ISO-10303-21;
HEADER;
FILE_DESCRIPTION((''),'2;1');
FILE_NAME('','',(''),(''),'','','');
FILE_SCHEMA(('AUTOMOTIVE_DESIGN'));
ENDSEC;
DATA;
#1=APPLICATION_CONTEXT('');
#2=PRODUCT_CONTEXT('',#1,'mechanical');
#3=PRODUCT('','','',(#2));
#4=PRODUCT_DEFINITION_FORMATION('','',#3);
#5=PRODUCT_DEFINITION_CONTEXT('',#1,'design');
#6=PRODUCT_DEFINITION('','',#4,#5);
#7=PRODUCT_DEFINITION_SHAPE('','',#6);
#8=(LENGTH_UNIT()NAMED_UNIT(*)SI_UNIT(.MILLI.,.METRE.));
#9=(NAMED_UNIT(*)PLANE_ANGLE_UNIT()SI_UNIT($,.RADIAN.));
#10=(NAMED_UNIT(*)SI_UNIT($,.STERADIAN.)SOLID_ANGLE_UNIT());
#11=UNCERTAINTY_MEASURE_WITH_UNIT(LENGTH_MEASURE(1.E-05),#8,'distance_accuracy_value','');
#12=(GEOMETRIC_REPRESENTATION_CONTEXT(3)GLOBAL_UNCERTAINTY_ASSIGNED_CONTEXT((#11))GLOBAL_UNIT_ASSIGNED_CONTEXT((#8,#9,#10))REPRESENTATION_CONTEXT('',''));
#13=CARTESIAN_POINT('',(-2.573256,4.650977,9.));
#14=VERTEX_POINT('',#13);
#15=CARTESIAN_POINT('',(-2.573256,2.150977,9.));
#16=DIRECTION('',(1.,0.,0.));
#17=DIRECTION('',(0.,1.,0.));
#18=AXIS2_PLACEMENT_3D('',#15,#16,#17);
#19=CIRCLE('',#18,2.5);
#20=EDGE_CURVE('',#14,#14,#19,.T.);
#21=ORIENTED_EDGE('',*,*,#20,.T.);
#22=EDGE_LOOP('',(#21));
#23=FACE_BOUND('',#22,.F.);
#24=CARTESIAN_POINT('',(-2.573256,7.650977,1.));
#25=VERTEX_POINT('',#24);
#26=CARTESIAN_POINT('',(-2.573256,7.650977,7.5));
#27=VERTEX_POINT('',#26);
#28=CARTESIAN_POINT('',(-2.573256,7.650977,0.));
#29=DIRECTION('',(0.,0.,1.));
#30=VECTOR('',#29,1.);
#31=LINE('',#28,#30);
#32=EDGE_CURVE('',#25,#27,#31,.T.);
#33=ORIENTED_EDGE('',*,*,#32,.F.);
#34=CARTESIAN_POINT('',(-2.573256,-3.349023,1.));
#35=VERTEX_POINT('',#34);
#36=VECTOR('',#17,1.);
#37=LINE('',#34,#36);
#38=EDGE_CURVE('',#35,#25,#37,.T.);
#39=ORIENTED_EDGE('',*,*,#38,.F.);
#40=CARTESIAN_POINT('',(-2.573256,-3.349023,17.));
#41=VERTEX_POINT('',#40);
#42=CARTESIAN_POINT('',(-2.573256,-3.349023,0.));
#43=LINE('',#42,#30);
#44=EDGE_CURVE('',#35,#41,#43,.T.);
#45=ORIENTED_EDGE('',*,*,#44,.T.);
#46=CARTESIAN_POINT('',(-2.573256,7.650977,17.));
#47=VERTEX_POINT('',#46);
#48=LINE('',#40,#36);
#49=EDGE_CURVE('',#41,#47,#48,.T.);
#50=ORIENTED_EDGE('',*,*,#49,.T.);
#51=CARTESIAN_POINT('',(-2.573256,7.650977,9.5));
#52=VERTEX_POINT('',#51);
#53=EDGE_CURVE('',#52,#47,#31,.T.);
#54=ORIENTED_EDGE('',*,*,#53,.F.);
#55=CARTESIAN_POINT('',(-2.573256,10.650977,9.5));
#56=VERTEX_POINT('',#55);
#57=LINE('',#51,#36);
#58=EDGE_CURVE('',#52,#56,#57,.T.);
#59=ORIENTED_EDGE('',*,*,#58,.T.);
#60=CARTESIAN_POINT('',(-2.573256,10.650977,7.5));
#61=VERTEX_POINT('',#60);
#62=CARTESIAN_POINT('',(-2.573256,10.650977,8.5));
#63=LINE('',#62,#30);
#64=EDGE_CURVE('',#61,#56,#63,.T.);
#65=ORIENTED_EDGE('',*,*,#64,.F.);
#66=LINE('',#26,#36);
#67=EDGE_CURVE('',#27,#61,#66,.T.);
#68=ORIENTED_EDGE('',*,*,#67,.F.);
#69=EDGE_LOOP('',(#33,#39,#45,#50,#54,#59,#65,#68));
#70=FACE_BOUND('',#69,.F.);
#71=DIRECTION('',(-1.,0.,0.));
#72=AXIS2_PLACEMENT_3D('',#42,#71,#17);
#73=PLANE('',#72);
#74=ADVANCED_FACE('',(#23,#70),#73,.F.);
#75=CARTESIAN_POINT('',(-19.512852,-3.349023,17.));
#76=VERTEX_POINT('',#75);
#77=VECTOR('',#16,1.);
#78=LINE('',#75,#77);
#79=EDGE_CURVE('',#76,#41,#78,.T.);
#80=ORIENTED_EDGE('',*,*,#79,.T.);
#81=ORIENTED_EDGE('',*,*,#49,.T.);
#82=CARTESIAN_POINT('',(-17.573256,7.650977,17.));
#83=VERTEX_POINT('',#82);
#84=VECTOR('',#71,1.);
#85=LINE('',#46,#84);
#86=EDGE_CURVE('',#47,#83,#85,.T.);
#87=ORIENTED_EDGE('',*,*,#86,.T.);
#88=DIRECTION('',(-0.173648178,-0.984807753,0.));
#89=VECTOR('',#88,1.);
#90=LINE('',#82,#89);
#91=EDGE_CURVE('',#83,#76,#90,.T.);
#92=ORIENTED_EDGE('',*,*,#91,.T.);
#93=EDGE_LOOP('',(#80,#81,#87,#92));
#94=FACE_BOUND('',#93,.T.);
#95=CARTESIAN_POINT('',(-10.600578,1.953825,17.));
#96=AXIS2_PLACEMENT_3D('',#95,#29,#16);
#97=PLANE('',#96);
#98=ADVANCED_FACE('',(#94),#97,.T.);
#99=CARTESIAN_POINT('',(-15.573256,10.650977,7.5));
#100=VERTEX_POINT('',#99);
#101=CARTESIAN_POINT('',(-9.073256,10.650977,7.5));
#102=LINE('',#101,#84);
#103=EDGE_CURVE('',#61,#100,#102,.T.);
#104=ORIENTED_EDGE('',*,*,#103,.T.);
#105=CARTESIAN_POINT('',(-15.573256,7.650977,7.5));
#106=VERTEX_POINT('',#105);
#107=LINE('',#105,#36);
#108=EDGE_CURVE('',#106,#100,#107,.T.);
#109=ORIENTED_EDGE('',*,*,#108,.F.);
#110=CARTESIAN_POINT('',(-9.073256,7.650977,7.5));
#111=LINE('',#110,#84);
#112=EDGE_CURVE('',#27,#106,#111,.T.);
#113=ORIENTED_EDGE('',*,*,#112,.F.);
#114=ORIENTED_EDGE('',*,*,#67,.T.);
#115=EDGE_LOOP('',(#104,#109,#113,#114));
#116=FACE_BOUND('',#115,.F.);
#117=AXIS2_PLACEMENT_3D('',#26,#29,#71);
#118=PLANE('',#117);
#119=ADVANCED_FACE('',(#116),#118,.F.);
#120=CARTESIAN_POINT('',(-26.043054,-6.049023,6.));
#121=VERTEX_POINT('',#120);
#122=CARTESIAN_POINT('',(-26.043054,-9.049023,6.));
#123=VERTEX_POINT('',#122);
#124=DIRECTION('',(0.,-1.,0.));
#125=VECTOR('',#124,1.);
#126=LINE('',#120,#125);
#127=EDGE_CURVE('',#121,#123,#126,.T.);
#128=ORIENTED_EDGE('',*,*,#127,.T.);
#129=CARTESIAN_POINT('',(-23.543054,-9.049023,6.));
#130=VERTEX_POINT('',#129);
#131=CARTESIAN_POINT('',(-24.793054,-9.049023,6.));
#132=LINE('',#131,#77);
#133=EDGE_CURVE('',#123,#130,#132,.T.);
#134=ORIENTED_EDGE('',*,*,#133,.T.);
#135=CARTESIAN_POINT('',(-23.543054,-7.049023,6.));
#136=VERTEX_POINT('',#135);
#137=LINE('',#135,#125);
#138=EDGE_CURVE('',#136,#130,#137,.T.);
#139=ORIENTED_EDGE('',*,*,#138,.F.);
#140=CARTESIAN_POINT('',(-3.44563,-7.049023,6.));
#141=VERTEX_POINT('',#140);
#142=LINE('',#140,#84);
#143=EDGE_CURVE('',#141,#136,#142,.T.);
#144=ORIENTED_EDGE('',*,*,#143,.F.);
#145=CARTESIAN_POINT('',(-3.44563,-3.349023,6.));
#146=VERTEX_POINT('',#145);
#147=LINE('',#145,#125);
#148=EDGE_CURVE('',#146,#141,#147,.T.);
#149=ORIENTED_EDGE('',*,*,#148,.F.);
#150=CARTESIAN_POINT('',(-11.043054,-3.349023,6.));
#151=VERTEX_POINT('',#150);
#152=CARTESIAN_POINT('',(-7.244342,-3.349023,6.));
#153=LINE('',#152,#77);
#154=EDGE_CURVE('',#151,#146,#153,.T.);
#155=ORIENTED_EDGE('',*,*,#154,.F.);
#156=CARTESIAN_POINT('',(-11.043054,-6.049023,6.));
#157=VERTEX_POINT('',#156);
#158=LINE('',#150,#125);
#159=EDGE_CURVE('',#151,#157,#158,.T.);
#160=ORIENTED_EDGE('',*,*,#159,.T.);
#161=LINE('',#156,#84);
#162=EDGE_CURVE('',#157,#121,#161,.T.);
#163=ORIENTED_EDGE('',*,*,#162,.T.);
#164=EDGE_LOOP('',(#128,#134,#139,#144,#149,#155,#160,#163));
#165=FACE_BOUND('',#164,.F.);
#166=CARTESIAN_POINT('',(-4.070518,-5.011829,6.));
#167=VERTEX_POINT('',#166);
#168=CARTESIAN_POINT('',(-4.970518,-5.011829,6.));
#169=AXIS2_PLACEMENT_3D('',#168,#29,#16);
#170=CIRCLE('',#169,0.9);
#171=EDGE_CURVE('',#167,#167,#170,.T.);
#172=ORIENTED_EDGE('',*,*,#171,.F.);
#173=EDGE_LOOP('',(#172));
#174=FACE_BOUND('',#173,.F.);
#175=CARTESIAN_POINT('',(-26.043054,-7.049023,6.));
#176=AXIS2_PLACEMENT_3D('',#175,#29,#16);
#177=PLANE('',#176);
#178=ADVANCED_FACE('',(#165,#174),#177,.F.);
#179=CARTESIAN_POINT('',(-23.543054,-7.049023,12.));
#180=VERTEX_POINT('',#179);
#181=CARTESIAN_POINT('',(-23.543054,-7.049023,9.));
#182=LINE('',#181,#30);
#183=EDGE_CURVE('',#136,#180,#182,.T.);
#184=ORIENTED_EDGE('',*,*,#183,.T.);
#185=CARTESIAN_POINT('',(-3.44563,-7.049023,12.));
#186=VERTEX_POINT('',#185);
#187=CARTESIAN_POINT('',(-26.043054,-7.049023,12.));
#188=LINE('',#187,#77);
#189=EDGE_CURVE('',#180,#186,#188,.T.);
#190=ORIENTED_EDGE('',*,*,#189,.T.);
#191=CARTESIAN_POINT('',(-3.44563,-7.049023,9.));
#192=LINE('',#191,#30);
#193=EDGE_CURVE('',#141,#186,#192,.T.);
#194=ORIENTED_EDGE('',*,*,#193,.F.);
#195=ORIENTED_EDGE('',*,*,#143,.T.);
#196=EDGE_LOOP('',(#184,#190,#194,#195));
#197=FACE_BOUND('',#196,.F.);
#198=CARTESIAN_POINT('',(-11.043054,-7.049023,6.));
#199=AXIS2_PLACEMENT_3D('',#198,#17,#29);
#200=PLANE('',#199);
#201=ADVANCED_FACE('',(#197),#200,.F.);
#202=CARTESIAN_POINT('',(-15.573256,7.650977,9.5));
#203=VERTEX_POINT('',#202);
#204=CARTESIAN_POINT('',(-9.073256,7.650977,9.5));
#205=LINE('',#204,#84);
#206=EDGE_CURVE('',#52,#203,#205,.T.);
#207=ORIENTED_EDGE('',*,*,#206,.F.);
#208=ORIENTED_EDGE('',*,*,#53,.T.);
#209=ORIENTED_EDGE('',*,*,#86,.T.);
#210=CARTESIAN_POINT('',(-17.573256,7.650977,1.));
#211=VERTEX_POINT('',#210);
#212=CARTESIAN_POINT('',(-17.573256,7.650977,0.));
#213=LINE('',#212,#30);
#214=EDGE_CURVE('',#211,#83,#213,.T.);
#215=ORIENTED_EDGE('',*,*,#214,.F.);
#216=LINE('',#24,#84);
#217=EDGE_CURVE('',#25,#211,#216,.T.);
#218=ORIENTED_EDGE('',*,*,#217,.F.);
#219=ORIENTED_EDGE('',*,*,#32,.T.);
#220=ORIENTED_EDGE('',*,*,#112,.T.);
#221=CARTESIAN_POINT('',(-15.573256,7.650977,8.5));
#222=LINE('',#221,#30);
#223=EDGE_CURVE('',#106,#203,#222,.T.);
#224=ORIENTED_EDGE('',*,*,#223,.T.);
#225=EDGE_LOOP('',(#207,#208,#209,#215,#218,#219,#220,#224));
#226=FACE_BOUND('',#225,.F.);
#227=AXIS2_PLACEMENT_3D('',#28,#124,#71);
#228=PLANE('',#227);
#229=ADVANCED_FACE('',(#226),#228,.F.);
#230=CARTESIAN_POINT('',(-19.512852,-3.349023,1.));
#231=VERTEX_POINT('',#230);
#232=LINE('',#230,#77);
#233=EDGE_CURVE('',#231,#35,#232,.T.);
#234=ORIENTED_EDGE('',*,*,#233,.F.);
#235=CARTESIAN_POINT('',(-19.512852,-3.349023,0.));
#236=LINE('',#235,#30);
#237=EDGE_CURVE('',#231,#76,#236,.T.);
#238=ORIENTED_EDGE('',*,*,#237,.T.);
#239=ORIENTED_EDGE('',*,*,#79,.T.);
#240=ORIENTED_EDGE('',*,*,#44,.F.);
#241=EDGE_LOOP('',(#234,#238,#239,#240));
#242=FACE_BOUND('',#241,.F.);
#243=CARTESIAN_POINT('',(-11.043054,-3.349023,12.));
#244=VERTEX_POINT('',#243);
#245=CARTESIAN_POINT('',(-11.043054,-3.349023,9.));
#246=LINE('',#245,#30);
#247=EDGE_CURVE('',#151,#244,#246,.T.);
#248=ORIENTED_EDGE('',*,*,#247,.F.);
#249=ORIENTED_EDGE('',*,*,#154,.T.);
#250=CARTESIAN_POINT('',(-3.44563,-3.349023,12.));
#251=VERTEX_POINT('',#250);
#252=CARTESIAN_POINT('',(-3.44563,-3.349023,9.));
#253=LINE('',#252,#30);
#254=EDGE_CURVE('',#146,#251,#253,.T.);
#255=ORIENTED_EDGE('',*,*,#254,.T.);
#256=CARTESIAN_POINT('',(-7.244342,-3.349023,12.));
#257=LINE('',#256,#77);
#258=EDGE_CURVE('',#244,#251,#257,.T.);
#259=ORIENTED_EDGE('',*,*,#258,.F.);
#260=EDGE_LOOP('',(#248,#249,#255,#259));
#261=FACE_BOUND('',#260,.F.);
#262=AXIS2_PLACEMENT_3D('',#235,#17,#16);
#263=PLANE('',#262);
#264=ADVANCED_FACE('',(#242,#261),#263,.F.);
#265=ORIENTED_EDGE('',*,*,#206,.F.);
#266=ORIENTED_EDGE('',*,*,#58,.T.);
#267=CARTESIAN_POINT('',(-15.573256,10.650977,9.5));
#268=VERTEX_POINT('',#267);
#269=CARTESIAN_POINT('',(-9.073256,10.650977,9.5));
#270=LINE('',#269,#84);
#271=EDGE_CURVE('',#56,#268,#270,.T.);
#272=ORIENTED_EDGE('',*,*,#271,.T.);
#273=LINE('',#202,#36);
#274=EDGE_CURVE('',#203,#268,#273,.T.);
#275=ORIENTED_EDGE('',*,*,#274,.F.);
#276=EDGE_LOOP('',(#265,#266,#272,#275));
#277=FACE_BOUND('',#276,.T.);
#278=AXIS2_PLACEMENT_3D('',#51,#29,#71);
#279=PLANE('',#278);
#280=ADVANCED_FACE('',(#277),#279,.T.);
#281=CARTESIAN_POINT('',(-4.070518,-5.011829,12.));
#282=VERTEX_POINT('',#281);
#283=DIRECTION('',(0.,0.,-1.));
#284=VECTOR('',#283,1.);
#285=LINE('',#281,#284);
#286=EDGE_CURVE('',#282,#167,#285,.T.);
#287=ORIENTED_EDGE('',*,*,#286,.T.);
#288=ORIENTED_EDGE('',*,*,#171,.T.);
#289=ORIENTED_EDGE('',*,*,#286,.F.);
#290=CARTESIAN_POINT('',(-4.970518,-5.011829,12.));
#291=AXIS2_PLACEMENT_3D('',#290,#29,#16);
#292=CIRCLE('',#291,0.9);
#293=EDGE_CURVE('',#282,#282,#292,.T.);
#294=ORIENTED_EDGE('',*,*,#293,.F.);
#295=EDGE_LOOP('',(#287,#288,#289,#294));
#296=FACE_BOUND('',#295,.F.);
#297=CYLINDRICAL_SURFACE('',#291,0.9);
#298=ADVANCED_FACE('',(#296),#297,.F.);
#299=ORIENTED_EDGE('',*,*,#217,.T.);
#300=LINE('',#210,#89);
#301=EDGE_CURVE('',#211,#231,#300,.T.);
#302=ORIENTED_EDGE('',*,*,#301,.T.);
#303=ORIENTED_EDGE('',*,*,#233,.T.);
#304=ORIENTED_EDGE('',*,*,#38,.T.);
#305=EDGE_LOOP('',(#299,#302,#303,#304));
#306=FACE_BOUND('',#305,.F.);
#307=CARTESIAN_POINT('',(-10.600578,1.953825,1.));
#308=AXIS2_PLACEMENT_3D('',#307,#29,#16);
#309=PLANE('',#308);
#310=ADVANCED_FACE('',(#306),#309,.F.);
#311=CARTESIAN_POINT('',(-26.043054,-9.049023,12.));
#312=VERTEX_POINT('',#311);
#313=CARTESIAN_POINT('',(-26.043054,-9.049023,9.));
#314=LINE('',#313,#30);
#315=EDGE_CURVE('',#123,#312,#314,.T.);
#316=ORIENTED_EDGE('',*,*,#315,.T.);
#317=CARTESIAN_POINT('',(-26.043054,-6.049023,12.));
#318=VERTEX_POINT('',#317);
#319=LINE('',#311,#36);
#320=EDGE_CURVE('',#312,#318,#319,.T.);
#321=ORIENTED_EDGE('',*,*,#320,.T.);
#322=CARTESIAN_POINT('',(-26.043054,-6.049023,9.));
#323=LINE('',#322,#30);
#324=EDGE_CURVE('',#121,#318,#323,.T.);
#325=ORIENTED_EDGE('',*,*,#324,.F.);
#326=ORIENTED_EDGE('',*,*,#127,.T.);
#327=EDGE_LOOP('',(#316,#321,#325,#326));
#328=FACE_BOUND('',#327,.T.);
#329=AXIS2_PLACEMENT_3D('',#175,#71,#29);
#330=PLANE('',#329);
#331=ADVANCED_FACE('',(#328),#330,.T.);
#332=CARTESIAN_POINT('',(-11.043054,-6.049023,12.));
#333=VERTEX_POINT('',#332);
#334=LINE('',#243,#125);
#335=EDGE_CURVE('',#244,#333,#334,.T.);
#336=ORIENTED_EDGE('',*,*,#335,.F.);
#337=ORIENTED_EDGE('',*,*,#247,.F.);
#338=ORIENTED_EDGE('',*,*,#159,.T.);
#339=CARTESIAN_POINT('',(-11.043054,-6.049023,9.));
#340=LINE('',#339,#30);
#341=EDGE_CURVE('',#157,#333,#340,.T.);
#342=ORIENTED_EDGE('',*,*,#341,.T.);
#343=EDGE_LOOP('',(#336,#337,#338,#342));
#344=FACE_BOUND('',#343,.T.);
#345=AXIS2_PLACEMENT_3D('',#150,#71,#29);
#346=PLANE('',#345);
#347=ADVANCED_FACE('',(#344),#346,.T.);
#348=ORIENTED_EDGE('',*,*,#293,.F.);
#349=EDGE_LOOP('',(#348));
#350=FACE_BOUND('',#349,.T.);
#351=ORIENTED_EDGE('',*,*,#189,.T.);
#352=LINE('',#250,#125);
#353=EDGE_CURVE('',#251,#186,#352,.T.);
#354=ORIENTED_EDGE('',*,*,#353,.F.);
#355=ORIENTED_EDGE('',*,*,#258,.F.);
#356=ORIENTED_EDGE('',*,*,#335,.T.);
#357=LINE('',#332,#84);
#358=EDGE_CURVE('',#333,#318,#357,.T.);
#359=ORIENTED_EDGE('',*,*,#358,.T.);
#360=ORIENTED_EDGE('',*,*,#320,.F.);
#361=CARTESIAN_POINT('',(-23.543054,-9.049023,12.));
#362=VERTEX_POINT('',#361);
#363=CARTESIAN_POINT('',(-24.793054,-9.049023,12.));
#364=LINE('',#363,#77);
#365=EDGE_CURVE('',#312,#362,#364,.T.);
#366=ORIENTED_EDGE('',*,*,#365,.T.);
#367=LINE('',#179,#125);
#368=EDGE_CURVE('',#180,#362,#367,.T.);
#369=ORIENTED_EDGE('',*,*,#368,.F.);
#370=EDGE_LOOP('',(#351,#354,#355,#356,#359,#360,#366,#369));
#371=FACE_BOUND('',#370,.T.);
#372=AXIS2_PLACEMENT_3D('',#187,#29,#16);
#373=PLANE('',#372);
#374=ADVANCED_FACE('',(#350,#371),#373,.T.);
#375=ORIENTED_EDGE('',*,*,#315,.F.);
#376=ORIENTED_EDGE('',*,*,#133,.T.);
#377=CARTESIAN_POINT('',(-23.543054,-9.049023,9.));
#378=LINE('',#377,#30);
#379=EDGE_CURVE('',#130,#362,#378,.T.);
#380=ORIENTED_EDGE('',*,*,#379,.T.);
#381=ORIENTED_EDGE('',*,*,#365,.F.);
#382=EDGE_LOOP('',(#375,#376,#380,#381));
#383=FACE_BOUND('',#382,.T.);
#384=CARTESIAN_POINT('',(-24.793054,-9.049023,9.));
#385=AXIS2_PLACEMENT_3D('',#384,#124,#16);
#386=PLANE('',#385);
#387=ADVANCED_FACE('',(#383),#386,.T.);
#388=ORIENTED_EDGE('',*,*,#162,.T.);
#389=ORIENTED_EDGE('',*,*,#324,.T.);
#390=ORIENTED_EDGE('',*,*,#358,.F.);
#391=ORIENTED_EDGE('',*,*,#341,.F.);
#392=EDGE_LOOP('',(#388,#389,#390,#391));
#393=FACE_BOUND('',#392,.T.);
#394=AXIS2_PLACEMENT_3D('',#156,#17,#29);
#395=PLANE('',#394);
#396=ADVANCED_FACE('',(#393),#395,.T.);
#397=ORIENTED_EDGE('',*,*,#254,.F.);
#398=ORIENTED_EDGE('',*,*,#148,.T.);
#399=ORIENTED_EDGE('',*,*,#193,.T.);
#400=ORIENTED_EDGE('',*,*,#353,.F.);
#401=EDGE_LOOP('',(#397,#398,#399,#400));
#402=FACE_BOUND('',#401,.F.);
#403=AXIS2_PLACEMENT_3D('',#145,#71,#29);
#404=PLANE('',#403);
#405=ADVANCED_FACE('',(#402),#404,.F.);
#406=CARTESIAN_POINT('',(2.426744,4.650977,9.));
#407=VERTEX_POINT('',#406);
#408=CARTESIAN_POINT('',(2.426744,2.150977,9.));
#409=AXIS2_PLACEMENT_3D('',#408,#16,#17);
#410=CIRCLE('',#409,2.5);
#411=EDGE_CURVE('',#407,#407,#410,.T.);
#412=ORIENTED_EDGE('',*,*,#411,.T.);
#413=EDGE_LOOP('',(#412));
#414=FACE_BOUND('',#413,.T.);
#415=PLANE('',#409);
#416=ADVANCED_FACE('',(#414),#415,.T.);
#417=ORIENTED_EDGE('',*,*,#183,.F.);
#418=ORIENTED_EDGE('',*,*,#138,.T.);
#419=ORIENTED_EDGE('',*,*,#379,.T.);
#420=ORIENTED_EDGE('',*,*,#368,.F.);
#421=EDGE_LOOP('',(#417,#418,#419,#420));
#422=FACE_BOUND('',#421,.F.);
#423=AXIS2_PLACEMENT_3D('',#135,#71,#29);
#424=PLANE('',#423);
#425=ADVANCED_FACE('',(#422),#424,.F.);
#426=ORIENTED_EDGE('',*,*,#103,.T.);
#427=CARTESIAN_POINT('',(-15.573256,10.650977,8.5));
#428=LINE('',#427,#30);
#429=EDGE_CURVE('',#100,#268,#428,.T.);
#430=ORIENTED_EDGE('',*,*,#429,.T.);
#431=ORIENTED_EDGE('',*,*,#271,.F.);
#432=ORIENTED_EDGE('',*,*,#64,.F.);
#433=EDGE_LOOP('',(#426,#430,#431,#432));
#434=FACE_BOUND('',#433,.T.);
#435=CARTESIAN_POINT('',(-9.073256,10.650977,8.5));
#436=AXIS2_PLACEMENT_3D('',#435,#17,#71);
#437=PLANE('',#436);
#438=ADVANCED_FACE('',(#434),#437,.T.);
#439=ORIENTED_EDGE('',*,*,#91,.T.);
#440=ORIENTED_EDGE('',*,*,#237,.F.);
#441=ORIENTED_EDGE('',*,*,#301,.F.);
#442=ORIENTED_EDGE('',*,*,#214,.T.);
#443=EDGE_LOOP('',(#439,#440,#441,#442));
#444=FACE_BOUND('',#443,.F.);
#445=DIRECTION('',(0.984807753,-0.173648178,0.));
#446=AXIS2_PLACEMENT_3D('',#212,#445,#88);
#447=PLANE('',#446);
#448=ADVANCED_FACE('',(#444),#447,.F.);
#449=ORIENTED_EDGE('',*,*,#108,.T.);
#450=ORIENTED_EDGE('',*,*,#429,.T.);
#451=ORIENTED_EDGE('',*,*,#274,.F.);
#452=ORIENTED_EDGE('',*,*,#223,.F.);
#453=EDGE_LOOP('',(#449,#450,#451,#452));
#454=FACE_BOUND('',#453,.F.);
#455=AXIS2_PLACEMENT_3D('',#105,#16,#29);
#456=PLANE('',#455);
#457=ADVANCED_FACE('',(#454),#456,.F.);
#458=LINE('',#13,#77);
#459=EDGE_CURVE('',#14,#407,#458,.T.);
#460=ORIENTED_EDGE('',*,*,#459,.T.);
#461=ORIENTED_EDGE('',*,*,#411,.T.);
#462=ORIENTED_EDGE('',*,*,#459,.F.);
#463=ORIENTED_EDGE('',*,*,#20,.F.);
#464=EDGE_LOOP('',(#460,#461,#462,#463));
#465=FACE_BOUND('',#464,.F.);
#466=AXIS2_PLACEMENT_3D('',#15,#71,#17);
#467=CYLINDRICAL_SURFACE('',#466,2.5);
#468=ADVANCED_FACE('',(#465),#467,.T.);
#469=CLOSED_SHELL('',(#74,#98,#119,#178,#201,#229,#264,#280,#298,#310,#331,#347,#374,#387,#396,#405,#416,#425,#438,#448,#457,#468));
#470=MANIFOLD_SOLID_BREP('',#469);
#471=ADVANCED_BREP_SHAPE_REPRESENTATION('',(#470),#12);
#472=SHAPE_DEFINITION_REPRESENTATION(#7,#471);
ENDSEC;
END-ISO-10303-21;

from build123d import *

# Parameters (mm, degrees)
F1_DEPTH  = 18
F2_R      = 2.5
F3_DEPTH  = 5
F4_W      = 13
F4_H      = 2
F5_DEPTH  = 3
F6_W      = 7.5974241367
F6_H      = 6
F7_DEPTH  = 3.7
F8_R      = 0.9
F9_DEPTH  = 10
F10_W     = 1
F10_H     = 6
F11_DEPTH = 15
F12_W     = 2.5
F12_H     = 6
F13_DEPTH = 2
F14_DEPTH = 1
F15_DEPTH = 1


with BuildPart() as f1:
    # F0 (on Top) → F1 (new body)
    with BuildSketch(Plane.XY):
        Polygon((-2.5732557046, 7.6509772142), (-17.5732557046, 7.6509772142), (-19.5128524924, -3.3490227858), (-2.5732557046, -3.3490227858), align=None)
    extrude(amount=F1_DEPTH)

    # F2 (on face) → F3 (join)
    with BuildSketch(Plane.YZ.offset(-2.5732557046)):
        with Locations((2.1509772142, 9)):
            Circle(F2_R)
    extrude(amount=F3_DEPTH)

    # F4 (on face) → F5 (join)
    with BuildSketch(Plane(origin=(0, 7.6509772142, 0), x_dir=(-1, 0, 0), z_dir=(0, 1, 0))):
        with Locations((9.0732557046, 8.5)):
            Rectangle(F4_W, F4_H)
    extrude(amount=F5_DEPTH)

    # F6 (on face) → F7 (join)
    with BuildSketch(Plane.XZ.offset(3.3490227858)):
        with Locations((-7.2443420301, 9)):
            Rectangle(F6_W, F6_H)
    extrude(amount=F7_DEPTH)

    # F8 (on face) → F9 (cut)
    with BuildSketch(Plane.XY.offset(12)):
        with Locations((-4.9705179408, -5.0118290819)):
            Circle(F8_R)
    extrude(amount=-F9_DEPTH, mode=Mode.SUBTRACT)

    # F10 (on face) → F11 (join)
    with BuildSketch(Plane(origin=(-11.0430540985, 0, 0), x_dir=(0, -1, 0), z_dir=(-1, 0, 0))):
        with Locations((6.5490227858, 9)):
            Rectangle(F10_W, F10_H)
    extrude(amount=F11_DEPTH)

    # F12 (on face) → F13 (join)
    with BuildSketch(Plane.XZ.offset(7.0490227858)):
        with Locations((-24.7930540985, 9)):
            Rectangle(F12_W, F12_H)
    extrude(amount=F13_DEPTH)

    # F14 (cut): a face of the model
    f14_faces = [f1.faces().sort_by_distance(p)[0] for p in [
        (-10.5679703972, 2.0396443295, 0),
    ]]
    extrude(f14_faces, amount=-F14_DEPTH, mode=Mode.SUBTRACT)

    # F15 (cut): a face of the model
    f15_faces = [f1.faces().sort_by_distance(p)[0] for p in [
        (-10.5679703972, 2.0396443295, 18),
    ]]
    extrude(f15_faces, amount=-F15_DEPTH, mode=Mode.SUBTRACT)


solid = f1.part
